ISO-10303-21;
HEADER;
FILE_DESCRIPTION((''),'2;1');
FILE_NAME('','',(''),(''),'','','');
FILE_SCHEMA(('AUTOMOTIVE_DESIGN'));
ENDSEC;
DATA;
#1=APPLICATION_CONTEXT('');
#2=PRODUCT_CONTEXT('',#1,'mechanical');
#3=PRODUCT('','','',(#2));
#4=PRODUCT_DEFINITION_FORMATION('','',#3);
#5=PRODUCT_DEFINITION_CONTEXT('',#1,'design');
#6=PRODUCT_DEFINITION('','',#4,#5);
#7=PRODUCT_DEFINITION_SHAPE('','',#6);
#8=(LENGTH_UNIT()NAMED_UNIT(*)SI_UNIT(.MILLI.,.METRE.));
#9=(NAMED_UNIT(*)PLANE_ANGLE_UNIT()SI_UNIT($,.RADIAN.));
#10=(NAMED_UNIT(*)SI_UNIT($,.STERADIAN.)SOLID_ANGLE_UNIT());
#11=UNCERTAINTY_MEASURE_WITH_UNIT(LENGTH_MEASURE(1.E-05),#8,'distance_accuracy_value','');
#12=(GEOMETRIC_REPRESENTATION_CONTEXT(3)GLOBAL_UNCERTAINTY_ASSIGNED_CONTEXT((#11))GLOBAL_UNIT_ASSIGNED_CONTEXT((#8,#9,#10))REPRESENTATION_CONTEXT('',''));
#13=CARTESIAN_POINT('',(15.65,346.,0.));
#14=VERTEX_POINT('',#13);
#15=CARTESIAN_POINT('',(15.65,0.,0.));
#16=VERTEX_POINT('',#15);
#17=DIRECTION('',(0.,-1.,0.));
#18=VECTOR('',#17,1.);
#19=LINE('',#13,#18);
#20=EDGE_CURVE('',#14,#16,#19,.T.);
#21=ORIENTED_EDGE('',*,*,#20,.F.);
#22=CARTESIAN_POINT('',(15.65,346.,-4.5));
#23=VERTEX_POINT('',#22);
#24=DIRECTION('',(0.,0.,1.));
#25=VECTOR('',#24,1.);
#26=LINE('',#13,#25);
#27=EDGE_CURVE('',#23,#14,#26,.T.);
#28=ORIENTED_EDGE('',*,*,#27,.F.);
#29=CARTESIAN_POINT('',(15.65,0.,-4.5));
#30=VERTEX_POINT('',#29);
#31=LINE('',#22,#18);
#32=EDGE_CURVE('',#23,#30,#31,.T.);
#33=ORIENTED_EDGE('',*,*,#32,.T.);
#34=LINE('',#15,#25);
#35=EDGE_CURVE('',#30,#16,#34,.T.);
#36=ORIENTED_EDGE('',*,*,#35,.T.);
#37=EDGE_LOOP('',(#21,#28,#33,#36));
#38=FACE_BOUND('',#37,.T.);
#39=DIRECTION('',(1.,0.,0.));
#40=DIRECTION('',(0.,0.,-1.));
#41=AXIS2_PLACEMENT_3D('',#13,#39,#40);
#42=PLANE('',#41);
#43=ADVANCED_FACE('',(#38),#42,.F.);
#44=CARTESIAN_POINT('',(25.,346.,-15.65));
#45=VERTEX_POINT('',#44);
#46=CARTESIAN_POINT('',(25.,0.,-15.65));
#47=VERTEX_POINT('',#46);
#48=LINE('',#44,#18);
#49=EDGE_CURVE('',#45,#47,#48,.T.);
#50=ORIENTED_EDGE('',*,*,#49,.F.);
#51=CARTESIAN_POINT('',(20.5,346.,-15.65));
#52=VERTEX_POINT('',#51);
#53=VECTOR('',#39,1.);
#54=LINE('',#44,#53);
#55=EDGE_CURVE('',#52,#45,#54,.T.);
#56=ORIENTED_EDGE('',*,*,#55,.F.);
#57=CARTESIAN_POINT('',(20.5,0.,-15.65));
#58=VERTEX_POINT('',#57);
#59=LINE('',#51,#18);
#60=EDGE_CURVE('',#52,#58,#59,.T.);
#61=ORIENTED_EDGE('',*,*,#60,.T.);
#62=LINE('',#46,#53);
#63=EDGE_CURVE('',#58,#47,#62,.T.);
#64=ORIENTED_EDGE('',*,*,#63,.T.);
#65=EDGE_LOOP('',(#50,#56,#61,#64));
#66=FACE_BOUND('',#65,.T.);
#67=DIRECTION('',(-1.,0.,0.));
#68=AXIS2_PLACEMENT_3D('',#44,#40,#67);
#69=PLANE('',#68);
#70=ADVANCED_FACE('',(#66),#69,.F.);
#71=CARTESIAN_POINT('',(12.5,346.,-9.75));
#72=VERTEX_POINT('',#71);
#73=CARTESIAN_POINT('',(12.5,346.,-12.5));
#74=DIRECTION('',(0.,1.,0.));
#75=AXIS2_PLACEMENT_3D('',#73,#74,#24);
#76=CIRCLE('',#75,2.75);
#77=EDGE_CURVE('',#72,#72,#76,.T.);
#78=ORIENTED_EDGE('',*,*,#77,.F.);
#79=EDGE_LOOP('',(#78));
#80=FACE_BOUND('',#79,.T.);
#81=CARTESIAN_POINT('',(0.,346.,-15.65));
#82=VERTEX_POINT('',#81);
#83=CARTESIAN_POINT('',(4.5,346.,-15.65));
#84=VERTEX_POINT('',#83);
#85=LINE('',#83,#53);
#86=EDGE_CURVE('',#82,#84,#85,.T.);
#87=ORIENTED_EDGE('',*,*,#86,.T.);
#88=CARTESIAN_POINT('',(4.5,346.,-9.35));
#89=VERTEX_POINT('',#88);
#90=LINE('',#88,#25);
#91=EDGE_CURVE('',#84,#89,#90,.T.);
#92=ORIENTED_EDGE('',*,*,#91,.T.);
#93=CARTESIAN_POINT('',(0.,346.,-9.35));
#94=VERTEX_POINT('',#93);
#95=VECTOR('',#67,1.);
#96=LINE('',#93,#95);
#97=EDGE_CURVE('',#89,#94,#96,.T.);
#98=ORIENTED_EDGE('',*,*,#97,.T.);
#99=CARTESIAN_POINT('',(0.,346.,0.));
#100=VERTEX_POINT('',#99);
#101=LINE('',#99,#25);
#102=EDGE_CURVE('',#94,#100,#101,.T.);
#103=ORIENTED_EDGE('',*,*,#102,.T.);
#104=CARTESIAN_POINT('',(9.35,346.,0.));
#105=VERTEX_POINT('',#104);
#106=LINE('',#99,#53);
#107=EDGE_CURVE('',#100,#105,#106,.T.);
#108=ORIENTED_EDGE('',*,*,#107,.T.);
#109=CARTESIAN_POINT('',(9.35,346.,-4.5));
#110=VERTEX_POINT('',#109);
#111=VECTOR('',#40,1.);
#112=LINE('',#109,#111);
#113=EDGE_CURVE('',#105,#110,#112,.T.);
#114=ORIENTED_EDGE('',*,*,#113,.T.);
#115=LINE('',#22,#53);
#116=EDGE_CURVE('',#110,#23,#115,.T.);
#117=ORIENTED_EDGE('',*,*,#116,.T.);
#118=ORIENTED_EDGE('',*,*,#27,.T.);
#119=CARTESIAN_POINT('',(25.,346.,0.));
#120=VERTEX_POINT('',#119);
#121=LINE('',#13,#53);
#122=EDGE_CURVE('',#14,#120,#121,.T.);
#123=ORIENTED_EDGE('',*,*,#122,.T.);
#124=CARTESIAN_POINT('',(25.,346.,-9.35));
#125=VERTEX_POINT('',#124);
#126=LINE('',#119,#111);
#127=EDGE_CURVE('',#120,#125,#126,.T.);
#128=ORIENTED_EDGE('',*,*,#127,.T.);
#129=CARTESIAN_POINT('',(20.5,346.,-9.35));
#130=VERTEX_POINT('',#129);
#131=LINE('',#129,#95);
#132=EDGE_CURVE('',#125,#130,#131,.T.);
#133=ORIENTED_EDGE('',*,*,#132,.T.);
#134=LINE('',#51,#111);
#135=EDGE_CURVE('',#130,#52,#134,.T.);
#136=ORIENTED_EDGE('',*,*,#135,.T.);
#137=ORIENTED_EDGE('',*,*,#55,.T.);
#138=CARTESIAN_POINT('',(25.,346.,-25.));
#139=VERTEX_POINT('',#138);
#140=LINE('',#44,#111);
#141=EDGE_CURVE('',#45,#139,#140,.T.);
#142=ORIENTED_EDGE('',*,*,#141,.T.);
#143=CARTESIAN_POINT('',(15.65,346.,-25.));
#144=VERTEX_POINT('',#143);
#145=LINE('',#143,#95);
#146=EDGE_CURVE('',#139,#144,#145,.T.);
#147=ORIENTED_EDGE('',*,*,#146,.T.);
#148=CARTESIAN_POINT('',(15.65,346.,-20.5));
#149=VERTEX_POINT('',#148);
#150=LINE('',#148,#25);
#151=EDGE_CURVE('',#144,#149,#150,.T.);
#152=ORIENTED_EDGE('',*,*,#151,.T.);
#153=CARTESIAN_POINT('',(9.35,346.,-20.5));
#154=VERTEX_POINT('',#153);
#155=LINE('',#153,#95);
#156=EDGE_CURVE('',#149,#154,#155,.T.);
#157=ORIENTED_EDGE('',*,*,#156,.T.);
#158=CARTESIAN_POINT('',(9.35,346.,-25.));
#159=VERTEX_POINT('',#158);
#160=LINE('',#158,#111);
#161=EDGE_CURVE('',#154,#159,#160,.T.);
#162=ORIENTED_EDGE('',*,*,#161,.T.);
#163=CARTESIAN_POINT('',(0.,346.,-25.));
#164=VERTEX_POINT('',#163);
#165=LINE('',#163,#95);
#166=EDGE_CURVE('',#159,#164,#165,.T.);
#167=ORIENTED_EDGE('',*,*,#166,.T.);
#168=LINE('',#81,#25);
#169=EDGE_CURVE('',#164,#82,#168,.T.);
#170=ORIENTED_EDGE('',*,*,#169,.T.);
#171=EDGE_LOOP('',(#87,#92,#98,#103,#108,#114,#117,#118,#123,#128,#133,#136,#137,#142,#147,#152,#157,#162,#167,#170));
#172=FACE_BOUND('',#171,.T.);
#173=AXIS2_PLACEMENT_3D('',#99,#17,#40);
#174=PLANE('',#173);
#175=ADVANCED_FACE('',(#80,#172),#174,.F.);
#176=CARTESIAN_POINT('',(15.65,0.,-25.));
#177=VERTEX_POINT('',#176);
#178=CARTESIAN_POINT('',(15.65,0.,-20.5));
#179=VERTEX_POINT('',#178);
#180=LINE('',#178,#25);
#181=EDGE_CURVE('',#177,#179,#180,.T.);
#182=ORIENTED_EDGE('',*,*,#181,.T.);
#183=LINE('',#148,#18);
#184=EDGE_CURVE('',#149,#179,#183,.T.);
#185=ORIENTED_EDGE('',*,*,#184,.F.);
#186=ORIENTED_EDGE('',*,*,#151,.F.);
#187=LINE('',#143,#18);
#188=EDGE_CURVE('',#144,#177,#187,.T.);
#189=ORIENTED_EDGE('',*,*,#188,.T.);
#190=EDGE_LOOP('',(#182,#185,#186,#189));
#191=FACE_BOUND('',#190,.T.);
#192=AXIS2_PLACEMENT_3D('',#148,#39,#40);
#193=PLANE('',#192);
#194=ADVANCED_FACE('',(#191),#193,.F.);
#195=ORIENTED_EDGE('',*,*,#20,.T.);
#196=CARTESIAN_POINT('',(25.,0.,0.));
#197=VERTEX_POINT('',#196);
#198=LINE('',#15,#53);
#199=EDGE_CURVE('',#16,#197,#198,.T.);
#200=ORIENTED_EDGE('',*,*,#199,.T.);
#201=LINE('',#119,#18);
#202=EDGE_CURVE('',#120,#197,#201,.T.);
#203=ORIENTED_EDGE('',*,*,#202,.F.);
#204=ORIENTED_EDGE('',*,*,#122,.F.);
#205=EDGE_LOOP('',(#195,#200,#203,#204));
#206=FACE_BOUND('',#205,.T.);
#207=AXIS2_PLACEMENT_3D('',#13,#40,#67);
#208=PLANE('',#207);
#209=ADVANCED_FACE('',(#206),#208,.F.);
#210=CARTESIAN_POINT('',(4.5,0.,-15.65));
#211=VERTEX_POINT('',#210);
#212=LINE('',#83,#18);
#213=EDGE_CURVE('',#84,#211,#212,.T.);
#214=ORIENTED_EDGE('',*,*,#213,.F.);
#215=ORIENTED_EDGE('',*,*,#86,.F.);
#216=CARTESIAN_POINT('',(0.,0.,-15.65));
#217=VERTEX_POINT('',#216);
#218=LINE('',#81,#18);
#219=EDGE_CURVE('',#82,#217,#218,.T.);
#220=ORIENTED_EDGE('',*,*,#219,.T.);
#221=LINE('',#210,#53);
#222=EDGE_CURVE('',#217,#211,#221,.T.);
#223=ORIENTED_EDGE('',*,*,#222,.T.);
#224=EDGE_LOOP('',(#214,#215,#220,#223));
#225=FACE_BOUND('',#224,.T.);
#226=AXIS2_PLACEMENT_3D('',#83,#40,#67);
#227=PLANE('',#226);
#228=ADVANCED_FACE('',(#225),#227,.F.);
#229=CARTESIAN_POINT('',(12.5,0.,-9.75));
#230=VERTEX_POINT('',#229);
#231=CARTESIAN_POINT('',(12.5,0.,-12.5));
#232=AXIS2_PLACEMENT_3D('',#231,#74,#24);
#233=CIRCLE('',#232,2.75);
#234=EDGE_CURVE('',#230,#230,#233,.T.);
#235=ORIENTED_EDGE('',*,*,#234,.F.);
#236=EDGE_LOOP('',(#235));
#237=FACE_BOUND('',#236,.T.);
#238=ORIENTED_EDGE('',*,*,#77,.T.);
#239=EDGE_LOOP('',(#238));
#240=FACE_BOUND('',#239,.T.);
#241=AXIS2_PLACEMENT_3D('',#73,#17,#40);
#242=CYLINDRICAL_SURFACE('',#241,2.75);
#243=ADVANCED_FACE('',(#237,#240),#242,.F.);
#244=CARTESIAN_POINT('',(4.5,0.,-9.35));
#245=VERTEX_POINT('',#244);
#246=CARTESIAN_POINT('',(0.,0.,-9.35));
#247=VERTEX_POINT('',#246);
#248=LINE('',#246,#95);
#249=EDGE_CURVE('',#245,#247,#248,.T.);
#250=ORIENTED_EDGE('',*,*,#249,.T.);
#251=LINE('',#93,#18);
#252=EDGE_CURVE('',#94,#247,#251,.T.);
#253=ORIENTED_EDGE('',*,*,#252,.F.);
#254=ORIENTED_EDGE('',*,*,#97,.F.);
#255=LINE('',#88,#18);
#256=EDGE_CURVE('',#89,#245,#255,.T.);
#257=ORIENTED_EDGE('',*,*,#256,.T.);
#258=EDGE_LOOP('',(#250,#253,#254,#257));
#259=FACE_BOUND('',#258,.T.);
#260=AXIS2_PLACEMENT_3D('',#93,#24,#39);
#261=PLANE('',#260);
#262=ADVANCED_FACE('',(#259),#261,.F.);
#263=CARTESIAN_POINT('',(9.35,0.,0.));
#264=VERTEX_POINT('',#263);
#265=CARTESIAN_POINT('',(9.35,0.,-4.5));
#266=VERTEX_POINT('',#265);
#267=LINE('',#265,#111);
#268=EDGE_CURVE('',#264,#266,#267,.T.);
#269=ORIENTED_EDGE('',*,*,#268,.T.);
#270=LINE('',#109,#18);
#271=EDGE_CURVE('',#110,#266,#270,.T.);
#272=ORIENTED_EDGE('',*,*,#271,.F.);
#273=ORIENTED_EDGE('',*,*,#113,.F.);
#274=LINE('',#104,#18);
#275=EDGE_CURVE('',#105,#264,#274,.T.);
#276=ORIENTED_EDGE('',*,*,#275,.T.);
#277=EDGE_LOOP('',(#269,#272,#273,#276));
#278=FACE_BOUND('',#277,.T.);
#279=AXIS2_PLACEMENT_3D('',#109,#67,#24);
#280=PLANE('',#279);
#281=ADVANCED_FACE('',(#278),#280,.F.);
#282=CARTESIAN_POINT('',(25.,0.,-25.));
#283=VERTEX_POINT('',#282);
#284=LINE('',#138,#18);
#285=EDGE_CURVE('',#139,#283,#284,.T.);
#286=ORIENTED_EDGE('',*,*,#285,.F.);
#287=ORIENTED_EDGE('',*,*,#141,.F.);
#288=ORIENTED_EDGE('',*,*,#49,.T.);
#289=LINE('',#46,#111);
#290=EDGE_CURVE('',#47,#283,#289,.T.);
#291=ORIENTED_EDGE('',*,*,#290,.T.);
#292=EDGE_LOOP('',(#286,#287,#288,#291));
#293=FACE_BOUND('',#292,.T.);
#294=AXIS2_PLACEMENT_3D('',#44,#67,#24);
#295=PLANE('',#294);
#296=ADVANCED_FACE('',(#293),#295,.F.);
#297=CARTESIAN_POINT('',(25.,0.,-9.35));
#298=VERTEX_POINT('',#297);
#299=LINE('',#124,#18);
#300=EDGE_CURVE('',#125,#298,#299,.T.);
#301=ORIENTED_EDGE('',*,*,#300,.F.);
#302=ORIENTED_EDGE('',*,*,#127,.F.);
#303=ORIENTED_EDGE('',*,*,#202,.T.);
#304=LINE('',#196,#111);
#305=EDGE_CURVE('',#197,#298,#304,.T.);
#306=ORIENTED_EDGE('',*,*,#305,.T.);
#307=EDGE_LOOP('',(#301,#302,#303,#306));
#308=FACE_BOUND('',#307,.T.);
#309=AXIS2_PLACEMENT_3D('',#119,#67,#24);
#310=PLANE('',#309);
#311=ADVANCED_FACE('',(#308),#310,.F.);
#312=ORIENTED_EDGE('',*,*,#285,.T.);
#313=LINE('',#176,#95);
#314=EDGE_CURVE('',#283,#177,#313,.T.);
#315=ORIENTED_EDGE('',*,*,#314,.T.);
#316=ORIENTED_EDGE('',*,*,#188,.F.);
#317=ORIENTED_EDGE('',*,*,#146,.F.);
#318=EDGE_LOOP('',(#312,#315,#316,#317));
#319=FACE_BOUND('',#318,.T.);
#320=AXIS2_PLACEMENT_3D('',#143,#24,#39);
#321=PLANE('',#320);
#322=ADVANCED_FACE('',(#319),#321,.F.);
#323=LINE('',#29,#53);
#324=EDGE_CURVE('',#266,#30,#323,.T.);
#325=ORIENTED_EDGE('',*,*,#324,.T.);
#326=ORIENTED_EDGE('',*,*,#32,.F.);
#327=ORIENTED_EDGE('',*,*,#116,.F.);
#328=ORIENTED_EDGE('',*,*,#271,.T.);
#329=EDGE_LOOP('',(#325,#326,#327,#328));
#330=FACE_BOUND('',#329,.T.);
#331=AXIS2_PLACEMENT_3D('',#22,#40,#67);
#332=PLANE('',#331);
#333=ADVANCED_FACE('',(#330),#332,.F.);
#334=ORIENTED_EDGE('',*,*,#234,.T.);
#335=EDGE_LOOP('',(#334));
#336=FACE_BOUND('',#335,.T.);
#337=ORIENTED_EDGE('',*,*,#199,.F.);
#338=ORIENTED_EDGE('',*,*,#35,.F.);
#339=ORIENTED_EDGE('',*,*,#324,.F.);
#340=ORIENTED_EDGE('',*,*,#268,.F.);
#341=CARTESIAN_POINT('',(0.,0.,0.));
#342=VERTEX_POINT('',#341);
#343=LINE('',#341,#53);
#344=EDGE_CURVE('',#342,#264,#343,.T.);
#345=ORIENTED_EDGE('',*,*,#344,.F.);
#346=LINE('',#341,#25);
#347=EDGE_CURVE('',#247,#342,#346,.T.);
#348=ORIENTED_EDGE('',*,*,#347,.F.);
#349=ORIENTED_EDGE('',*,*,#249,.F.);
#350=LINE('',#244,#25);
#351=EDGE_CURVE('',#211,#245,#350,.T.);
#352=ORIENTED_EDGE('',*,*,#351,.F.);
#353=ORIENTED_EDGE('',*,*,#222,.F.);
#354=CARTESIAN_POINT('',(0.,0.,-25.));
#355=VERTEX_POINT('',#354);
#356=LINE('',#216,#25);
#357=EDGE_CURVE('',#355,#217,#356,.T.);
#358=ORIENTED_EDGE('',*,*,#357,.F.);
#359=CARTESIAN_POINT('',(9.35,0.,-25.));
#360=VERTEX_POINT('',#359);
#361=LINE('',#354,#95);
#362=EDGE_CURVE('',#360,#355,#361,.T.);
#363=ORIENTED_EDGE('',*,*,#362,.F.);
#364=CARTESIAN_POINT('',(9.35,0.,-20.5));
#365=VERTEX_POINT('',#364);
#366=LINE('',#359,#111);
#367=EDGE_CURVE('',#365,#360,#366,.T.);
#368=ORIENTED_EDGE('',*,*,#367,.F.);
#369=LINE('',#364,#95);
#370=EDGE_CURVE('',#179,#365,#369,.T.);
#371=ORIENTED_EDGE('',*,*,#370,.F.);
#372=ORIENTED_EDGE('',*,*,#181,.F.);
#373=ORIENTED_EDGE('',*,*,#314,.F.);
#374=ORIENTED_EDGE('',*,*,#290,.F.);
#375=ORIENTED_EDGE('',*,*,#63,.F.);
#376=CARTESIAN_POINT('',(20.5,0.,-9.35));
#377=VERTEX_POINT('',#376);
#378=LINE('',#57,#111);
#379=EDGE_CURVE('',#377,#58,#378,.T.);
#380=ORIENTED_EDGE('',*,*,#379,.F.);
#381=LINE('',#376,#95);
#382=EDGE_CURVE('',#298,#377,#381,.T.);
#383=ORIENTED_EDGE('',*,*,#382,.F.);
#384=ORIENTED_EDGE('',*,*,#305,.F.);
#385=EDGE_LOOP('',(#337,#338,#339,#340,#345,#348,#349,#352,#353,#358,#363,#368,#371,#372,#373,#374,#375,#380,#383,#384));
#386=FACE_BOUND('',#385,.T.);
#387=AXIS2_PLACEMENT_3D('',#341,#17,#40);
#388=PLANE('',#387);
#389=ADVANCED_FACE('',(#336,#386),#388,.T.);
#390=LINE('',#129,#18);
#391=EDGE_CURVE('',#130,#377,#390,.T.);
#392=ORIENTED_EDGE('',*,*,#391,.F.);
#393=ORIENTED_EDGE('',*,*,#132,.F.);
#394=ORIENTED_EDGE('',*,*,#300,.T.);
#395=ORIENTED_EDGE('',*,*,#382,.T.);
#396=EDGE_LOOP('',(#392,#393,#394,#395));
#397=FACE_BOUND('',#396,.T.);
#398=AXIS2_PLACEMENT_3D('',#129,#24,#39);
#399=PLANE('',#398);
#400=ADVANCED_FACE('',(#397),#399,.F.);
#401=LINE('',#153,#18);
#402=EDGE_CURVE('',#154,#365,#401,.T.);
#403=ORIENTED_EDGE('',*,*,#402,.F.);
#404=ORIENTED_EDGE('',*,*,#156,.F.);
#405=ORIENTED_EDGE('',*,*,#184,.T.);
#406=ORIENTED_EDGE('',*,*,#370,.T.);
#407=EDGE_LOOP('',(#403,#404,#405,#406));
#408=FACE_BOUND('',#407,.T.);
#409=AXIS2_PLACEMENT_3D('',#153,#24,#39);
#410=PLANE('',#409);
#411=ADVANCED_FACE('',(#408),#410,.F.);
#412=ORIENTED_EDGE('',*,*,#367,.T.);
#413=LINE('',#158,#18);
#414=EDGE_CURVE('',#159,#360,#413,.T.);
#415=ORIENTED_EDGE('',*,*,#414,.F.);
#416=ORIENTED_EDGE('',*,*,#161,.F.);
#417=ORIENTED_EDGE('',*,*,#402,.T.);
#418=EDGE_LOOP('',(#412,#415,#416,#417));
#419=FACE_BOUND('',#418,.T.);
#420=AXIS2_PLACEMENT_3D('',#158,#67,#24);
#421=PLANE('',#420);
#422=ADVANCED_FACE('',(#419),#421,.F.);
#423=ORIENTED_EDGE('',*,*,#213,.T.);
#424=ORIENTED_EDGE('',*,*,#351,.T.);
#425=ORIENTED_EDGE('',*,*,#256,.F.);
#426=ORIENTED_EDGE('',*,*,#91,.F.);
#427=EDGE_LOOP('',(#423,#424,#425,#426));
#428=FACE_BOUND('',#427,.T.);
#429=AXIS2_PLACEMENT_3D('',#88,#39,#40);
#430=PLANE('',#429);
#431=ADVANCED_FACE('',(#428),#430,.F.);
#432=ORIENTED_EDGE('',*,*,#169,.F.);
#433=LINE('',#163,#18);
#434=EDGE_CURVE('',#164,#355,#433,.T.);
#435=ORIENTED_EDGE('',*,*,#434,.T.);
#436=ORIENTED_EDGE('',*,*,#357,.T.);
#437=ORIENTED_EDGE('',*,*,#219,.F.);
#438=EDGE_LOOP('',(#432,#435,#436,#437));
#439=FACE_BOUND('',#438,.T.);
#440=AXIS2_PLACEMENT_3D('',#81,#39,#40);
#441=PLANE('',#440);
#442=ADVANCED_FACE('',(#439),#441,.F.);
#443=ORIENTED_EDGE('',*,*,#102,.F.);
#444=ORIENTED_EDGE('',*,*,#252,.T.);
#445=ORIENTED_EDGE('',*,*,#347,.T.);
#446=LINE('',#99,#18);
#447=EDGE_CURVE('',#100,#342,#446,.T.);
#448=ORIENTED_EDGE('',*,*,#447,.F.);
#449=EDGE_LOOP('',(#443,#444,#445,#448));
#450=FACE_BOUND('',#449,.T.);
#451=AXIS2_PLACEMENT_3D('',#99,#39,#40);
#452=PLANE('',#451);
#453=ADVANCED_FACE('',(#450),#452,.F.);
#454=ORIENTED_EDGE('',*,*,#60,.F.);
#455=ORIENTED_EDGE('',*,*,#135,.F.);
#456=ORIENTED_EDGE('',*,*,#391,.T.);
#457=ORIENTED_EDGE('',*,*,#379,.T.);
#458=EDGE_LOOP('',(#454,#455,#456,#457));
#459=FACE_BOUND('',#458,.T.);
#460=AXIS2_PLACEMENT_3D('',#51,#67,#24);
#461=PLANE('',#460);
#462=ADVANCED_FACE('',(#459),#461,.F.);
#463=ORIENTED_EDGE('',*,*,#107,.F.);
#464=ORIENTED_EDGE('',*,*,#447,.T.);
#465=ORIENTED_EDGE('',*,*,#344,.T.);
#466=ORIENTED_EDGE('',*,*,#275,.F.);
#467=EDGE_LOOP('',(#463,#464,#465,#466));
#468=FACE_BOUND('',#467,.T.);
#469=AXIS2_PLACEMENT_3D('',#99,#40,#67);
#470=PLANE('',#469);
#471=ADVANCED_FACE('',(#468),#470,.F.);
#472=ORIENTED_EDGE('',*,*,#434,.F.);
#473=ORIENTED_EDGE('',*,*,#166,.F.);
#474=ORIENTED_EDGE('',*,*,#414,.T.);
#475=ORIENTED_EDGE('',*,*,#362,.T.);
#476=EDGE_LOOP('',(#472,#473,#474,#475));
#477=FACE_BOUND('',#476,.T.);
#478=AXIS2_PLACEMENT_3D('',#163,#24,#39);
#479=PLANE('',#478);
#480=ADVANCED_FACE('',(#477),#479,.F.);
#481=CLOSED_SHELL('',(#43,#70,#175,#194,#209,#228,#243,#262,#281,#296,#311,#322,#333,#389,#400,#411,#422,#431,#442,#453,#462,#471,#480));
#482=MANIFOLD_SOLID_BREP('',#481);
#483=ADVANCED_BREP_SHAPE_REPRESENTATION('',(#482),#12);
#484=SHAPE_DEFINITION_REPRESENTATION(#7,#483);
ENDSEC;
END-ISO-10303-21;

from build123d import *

# Parameters (mm, degrees)
SKETCH1_R           = 2.75
BOSS_EXTRUDE1_DEPTH = 346


with BuildPart() as part:
    # Sketch1 → Boss-Extrude1 (new body)
    with BuildSketch(Plane(origin=(0, 0, 0), x_dir=(1, 0, 0), z_dir=(0, 1, 0))):
        Polygon((9.35, 25), (9.35, 20.5), (15.65, 20.5), (15.65, 25), (25, 25), (25, 15.65), (20.5, 15.65), (20.5, 9.35), (25, 9.35), (25, 0), (15.65, 0), (15.65, 4.5), (9.35, 4.5), (9.35, 0), (0, 0), (0, 9.35), (4.5, 9.35), (4.5, 15.65), (0, 15.65), (0, 25), align=None)
        with Locations(Location((12.5, 12.5, 0), (0, 0, 270))):
            Circle(SKETCH1_R, mode=Mode.SUBTRACT)
    extrude(amount=BOSS_EXTRUDE1_DEPTH)


solid = part.part
